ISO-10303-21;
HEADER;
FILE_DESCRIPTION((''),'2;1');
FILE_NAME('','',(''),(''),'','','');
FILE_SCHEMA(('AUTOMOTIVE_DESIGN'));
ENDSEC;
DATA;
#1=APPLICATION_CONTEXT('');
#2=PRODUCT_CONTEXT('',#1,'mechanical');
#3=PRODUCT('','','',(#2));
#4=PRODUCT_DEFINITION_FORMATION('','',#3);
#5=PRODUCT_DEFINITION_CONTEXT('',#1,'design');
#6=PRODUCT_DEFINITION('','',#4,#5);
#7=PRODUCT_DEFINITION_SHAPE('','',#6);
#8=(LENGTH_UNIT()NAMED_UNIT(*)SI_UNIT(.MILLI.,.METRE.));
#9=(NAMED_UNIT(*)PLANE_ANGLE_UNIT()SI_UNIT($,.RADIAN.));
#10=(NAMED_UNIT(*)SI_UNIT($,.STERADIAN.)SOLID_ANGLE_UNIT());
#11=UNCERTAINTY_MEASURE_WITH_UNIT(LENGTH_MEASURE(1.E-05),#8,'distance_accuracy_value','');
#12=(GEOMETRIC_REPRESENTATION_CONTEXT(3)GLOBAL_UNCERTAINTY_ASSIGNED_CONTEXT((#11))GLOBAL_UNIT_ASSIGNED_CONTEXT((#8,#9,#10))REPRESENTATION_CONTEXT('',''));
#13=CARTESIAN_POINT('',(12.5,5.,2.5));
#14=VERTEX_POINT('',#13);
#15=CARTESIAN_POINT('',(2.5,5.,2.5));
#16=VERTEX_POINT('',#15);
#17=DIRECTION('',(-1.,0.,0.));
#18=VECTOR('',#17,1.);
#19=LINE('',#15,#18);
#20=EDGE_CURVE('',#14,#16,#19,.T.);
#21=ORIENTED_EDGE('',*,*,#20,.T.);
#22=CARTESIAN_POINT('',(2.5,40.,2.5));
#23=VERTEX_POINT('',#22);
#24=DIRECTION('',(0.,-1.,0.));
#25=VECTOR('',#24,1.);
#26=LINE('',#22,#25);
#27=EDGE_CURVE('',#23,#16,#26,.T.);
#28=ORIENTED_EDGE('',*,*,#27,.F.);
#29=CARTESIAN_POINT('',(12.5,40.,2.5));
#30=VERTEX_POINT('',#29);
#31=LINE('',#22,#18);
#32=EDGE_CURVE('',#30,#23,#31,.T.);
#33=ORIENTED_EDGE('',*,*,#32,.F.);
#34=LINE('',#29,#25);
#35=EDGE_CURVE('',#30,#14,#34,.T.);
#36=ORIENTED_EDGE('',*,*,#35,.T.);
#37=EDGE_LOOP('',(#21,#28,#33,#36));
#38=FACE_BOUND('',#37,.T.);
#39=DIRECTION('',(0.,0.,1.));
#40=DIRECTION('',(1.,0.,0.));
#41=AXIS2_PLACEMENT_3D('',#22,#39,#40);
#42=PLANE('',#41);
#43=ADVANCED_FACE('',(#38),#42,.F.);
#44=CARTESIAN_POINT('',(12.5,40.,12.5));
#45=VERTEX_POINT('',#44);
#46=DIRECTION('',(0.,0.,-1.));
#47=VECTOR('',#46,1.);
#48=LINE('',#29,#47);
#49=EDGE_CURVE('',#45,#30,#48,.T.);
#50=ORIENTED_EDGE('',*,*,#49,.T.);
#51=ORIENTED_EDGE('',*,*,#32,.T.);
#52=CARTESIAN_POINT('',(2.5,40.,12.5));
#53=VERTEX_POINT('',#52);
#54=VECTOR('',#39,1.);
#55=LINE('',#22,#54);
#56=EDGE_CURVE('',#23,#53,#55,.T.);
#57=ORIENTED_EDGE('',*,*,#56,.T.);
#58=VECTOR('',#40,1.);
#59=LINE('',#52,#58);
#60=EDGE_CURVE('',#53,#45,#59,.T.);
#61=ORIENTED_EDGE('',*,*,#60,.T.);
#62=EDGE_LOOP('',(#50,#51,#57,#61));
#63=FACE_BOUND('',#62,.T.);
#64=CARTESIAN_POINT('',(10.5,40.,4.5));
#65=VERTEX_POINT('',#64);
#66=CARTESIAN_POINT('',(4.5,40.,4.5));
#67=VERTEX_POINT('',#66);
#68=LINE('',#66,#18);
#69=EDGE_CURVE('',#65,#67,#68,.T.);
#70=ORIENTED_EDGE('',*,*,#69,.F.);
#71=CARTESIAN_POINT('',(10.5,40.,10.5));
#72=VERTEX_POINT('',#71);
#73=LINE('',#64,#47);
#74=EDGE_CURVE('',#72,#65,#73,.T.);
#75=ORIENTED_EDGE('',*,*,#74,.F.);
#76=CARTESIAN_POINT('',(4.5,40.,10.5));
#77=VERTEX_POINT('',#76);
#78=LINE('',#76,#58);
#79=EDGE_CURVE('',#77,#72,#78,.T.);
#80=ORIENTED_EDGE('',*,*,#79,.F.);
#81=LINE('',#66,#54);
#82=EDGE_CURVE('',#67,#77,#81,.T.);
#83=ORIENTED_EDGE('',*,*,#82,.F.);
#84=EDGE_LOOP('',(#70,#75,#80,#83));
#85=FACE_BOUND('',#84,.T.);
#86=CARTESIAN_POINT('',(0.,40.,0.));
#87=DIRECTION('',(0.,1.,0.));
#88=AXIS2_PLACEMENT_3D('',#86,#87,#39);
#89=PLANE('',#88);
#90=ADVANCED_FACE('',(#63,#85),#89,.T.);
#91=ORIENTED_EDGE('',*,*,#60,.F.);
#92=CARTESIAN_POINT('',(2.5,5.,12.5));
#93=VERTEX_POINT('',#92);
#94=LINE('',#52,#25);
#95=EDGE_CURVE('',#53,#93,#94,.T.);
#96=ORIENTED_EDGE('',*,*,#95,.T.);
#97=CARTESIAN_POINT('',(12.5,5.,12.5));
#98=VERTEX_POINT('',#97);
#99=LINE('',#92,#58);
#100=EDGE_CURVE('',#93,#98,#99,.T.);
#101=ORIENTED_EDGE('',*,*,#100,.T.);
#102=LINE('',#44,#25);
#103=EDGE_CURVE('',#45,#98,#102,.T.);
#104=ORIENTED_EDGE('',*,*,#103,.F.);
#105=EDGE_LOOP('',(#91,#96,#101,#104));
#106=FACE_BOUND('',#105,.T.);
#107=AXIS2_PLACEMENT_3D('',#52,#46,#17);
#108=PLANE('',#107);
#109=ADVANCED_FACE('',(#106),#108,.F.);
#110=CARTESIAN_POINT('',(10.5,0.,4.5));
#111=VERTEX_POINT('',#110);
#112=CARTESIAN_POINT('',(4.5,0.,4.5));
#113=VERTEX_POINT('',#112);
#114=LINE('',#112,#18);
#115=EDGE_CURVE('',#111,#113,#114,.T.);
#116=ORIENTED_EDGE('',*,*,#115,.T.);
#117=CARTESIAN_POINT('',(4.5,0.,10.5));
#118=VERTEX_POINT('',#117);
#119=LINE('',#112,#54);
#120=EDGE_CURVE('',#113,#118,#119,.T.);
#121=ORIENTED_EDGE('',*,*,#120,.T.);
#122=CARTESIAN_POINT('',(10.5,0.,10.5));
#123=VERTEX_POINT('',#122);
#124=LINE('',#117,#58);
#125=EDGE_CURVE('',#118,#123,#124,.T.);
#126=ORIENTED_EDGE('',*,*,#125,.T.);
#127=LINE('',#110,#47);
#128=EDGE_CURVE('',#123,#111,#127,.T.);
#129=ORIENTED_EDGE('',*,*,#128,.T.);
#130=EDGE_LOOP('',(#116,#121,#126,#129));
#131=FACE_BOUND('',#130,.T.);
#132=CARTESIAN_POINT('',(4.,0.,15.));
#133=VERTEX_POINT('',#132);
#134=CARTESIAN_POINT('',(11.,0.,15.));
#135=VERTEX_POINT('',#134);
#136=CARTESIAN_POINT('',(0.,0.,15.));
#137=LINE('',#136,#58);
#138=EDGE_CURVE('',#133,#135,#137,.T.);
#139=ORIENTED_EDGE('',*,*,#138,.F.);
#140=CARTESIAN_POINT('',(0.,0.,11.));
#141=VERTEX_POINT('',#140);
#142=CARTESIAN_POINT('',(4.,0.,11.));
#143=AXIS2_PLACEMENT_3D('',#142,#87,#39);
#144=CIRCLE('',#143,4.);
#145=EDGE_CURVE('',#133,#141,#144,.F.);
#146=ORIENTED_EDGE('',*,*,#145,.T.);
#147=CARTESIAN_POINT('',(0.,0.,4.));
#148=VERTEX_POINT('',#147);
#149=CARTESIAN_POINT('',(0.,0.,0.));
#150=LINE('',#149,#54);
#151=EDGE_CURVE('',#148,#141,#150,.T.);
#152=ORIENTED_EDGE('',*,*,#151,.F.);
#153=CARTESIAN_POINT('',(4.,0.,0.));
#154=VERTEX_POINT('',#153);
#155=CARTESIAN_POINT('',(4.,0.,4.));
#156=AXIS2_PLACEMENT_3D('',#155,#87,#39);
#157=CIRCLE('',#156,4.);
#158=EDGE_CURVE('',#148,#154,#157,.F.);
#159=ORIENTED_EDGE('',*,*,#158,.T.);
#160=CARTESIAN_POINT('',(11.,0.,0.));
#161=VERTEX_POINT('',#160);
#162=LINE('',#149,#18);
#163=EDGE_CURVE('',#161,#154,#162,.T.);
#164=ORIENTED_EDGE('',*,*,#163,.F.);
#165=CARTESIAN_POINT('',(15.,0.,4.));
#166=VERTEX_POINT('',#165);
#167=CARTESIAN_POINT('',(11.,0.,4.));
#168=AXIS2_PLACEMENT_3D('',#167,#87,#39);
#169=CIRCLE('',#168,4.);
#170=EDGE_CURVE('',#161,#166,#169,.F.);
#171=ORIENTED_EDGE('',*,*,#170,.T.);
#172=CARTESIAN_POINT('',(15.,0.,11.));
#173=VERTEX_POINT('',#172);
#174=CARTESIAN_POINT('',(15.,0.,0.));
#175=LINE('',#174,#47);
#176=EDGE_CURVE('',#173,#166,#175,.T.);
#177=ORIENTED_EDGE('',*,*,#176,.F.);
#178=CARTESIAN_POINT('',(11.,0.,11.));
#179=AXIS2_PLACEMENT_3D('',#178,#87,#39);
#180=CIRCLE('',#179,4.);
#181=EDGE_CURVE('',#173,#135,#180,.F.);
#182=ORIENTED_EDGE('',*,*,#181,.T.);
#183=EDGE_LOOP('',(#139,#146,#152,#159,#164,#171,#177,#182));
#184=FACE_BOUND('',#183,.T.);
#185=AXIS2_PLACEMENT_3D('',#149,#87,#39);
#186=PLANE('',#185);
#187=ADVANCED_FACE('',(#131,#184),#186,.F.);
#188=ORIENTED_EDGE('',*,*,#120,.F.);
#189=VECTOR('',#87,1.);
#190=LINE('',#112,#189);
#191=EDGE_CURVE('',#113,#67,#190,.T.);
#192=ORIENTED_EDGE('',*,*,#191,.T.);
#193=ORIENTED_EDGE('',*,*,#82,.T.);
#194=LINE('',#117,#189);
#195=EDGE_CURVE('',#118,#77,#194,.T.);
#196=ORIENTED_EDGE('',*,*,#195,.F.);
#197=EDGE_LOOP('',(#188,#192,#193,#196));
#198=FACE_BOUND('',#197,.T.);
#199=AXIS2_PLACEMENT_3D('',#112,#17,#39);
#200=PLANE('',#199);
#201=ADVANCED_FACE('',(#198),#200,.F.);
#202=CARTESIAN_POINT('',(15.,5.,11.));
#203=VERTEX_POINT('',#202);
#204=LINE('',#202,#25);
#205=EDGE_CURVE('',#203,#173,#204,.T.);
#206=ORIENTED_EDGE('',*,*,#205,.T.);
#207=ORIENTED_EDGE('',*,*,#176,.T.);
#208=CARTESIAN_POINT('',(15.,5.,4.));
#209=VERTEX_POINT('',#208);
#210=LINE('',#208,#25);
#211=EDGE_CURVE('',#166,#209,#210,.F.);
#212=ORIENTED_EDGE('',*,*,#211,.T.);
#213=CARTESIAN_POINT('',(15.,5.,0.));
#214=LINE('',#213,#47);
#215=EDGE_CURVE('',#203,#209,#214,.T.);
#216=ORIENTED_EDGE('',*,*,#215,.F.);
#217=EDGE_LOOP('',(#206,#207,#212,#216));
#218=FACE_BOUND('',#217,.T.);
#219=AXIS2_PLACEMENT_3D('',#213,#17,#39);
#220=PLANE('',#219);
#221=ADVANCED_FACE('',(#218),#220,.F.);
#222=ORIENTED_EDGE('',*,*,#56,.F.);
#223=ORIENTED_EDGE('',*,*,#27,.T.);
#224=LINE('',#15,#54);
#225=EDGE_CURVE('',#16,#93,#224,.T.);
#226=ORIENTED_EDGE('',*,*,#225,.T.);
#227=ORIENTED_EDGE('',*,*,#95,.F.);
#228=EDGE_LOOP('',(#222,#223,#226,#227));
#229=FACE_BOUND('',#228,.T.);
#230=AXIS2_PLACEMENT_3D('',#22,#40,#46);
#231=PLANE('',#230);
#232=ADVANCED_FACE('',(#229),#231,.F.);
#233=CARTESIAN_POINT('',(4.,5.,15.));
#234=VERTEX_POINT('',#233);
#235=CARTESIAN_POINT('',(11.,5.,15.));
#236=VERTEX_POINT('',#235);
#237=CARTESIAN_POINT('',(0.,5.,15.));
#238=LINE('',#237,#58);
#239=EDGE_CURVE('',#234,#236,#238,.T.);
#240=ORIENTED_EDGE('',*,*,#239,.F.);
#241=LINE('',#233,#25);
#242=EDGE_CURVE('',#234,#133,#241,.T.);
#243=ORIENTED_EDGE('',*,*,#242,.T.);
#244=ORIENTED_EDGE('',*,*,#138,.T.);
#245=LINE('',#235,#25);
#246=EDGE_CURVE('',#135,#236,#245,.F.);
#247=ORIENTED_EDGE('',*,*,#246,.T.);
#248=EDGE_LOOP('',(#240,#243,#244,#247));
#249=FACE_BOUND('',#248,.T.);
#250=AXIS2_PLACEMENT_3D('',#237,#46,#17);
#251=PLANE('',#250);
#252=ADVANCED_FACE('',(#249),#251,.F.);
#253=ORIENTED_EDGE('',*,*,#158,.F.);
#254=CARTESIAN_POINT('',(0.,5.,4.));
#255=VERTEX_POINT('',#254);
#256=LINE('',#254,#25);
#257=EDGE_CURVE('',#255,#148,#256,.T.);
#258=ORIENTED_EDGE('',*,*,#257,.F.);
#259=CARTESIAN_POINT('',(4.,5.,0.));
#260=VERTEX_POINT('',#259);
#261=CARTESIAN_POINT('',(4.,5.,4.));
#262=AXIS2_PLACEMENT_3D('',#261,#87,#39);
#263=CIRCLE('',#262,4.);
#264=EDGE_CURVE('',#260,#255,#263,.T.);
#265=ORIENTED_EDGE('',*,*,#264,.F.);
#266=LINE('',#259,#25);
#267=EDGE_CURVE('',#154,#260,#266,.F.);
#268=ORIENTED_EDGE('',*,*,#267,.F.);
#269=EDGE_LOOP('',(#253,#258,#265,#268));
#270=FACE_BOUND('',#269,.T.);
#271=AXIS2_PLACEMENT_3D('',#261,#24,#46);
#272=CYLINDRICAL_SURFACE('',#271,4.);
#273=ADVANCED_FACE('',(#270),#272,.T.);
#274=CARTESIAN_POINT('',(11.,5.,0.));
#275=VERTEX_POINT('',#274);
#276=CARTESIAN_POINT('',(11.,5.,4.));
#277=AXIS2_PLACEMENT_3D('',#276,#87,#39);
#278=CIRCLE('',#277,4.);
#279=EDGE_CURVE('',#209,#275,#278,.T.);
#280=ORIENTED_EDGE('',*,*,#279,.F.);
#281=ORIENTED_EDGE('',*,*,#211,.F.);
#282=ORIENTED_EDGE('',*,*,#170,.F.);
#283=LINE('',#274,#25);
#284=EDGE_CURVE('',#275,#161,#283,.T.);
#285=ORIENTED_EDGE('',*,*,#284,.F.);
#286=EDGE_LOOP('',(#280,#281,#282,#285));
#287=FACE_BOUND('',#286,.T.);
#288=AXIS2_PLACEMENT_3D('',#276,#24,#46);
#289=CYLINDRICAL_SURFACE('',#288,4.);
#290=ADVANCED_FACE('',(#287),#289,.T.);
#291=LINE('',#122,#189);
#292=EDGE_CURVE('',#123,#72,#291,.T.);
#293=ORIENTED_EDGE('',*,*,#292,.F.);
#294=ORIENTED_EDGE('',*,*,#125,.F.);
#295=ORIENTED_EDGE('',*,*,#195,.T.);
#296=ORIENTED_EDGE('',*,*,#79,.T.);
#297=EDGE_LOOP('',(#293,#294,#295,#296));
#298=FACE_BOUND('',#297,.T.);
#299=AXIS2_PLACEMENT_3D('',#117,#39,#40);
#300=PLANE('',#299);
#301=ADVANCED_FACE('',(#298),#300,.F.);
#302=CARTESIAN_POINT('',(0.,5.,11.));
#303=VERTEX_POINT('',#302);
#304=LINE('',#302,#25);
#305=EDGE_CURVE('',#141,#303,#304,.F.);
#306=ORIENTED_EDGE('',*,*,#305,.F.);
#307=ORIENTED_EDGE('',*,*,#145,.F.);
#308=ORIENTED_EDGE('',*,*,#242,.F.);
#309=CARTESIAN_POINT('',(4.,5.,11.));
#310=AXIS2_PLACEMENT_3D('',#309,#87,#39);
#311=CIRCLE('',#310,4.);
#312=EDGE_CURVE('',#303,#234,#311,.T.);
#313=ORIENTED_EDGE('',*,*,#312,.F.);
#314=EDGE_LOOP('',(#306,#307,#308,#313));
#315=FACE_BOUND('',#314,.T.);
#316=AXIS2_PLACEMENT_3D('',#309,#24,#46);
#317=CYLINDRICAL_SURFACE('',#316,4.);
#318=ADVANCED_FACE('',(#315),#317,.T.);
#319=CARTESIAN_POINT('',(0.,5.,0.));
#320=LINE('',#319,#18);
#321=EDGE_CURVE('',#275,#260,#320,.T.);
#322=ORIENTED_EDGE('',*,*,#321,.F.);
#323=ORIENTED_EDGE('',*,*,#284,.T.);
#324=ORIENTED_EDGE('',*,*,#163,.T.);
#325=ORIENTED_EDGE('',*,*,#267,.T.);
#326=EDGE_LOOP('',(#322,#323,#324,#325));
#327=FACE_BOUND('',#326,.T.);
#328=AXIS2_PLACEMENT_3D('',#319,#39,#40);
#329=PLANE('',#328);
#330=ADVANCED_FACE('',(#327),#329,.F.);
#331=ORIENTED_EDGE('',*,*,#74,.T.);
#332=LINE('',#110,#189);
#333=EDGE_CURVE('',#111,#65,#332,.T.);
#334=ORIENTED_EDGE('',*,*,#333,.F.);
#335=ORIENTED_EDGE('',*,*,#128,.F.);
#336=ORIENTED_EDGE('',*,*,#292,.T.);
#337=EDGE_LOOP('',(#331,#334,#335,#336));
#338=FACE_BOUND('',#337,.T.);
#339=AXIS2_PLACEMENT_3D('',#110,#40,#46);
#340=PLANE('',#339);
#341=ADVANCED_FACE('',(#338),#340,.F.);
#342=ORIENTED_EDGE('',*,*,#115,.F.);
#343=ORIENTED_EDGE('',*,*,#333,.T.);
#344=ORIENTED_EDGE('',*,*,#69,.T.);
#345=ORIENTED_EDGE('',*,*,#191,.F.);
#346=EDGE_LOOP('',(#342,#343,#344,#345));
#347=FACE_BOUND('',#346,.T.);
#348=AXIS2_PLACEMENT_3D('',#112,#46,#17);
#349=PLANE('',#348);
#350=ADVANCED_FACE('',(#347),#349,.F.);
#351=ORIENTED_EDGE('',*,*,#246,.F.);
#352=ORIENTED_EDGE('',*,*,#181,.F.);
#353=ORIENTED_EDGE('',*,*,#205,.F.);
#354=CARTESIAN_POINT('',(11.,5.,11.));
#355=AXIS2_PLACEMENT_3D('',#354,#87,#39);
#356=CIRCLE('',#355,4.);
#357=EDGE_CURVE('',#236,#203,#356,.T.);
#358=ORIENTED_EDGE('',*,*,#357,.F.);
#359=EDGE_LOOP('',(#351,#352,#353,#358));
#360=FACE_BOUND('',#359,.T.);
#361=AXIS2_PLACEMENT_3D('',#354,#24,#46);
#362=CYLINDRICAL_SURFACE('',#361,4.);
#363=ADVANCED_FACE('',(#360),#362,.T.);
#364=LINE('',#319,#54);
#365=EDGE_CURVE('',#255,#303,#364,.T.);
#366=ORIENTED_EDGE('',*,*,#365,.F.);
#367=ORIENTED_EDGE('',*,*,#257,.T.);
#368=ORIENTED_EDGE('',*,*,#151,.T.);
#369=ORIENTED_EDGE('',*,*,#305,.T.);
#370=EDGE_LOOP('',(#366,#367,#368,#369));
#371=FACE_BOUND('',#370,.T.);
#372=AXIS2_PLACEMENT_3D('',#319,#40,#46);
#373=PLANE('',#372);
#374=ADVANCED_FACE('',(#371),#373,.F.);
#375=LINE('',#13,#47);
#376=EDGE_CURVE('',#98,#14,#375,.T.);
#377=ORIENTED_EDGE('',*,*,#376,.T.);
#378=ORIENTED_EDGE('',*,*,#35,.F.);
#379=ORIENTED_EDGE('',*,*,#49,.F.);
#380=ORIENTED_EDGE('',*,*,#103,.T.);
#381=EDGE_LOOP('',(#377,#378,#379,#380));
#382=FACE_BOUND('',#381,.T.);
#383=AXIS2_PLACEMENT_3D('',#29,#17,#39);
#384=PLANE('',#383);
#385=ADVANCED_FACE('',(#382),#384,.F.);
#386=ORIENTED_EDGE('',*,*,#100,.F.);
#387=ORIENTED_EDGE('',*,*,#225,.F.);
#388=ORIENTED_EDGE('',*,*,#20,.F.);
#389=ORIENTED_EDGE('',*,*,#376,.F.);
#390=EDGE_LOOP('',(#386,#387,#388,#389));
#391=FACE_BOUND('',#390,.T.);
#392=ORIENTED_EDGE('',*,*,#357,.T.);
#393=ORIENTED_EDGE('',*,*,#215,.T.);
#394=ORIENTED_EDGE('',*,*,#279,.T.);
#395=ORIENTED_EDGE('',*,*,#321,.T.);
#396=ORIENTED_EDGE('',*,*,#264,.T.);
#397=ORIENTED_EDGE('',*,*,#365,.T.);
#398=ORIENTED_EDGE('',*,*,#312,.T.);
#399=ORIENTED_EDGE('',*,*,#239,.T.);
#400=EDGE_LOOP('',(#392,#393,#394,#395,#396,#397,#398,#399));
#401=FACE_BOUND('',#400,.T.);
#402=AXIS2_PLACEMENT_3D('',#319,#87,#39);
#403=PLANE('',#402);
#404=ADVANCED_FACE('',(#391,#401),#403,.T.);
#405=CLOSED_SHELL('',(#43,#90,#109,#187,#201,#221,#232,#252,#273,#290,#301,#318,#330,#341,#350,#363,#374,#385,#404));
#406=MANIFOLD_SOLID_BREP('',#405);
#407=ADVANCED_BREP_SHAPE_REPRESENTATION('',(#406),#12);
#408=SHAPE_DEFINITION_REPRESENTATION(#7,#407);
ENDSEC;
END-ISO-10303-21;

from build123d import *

# Parameters (mm, degrees)
ESBO_O2_W                = 15
ESBO_O2_H                = 15
RESSALTO_EXTRUS_O2_DEPTH = 5
ESBO_O3_W                = 10
ESBO_O3_H                = 10
RESSALTO_EXTRUS_O3_DEPTH = 35
FILETE1_R                = 4
ESBO_O4_W                = 6
ESBO_O4_H                = 6
CORTE_EXTRUS_O1_DEPTH    = 46.276925691


with BuildPart() as part:
    # Esboço2 → Ressalto-extrusão2 (new body)
    with BuildSketch(Plane(origin=(0, 0, 0), x_dir=(1, 0, 0), z_dir=(0, 1, 0))):
        with Locations((7.5, -7.5)):
            Rectangle(ESBO_O2_W, ESBO_O2_H)
    extrude(amount=RESSALTO_EXTRUS_O2_DEPTH)

    # Esboço3 → Ressalto-extrusão3 (add)
    with BuildSketch(Plane(origin=(0, 5, 0), x_dir=(1, 0, 0), z_dir=(0, 1, 0))):
        with Locations((7.5, -7.5)):
            Rectangle(ESBO_O3_W, ESBO_O3_H)
    extrude(amount=RESSALTO_EXTRUS_O3_DEPTH)

    # Filete1
    filete1_edges = [part.edges().sort_by_distance(p)[0] for p in [
        (0, 2.5, 0),
        (15, 2.5, 0),
        (15, 2.5, 15),
        (0, 2.5, 15),
    ]]
    fillet(filete1_edges, radius=FILETE1_R)

    # Esboço4 → Corte-extrusão1 (cut, through all)
    with BuildSketch(Plane(origin=(0, 40, 0), x_dir=(1, 0, 0), z_dir=(0, 1, 0))):
        with Locations((7.5, -7.5)):
            Rectangle(ESBO_O4_W, ESBO_O4_H)
    extrude(amount=-CORTE_EXTRUS_O1_DEPTH, mode=Mode.SUBTRACT)


solid = part.part
